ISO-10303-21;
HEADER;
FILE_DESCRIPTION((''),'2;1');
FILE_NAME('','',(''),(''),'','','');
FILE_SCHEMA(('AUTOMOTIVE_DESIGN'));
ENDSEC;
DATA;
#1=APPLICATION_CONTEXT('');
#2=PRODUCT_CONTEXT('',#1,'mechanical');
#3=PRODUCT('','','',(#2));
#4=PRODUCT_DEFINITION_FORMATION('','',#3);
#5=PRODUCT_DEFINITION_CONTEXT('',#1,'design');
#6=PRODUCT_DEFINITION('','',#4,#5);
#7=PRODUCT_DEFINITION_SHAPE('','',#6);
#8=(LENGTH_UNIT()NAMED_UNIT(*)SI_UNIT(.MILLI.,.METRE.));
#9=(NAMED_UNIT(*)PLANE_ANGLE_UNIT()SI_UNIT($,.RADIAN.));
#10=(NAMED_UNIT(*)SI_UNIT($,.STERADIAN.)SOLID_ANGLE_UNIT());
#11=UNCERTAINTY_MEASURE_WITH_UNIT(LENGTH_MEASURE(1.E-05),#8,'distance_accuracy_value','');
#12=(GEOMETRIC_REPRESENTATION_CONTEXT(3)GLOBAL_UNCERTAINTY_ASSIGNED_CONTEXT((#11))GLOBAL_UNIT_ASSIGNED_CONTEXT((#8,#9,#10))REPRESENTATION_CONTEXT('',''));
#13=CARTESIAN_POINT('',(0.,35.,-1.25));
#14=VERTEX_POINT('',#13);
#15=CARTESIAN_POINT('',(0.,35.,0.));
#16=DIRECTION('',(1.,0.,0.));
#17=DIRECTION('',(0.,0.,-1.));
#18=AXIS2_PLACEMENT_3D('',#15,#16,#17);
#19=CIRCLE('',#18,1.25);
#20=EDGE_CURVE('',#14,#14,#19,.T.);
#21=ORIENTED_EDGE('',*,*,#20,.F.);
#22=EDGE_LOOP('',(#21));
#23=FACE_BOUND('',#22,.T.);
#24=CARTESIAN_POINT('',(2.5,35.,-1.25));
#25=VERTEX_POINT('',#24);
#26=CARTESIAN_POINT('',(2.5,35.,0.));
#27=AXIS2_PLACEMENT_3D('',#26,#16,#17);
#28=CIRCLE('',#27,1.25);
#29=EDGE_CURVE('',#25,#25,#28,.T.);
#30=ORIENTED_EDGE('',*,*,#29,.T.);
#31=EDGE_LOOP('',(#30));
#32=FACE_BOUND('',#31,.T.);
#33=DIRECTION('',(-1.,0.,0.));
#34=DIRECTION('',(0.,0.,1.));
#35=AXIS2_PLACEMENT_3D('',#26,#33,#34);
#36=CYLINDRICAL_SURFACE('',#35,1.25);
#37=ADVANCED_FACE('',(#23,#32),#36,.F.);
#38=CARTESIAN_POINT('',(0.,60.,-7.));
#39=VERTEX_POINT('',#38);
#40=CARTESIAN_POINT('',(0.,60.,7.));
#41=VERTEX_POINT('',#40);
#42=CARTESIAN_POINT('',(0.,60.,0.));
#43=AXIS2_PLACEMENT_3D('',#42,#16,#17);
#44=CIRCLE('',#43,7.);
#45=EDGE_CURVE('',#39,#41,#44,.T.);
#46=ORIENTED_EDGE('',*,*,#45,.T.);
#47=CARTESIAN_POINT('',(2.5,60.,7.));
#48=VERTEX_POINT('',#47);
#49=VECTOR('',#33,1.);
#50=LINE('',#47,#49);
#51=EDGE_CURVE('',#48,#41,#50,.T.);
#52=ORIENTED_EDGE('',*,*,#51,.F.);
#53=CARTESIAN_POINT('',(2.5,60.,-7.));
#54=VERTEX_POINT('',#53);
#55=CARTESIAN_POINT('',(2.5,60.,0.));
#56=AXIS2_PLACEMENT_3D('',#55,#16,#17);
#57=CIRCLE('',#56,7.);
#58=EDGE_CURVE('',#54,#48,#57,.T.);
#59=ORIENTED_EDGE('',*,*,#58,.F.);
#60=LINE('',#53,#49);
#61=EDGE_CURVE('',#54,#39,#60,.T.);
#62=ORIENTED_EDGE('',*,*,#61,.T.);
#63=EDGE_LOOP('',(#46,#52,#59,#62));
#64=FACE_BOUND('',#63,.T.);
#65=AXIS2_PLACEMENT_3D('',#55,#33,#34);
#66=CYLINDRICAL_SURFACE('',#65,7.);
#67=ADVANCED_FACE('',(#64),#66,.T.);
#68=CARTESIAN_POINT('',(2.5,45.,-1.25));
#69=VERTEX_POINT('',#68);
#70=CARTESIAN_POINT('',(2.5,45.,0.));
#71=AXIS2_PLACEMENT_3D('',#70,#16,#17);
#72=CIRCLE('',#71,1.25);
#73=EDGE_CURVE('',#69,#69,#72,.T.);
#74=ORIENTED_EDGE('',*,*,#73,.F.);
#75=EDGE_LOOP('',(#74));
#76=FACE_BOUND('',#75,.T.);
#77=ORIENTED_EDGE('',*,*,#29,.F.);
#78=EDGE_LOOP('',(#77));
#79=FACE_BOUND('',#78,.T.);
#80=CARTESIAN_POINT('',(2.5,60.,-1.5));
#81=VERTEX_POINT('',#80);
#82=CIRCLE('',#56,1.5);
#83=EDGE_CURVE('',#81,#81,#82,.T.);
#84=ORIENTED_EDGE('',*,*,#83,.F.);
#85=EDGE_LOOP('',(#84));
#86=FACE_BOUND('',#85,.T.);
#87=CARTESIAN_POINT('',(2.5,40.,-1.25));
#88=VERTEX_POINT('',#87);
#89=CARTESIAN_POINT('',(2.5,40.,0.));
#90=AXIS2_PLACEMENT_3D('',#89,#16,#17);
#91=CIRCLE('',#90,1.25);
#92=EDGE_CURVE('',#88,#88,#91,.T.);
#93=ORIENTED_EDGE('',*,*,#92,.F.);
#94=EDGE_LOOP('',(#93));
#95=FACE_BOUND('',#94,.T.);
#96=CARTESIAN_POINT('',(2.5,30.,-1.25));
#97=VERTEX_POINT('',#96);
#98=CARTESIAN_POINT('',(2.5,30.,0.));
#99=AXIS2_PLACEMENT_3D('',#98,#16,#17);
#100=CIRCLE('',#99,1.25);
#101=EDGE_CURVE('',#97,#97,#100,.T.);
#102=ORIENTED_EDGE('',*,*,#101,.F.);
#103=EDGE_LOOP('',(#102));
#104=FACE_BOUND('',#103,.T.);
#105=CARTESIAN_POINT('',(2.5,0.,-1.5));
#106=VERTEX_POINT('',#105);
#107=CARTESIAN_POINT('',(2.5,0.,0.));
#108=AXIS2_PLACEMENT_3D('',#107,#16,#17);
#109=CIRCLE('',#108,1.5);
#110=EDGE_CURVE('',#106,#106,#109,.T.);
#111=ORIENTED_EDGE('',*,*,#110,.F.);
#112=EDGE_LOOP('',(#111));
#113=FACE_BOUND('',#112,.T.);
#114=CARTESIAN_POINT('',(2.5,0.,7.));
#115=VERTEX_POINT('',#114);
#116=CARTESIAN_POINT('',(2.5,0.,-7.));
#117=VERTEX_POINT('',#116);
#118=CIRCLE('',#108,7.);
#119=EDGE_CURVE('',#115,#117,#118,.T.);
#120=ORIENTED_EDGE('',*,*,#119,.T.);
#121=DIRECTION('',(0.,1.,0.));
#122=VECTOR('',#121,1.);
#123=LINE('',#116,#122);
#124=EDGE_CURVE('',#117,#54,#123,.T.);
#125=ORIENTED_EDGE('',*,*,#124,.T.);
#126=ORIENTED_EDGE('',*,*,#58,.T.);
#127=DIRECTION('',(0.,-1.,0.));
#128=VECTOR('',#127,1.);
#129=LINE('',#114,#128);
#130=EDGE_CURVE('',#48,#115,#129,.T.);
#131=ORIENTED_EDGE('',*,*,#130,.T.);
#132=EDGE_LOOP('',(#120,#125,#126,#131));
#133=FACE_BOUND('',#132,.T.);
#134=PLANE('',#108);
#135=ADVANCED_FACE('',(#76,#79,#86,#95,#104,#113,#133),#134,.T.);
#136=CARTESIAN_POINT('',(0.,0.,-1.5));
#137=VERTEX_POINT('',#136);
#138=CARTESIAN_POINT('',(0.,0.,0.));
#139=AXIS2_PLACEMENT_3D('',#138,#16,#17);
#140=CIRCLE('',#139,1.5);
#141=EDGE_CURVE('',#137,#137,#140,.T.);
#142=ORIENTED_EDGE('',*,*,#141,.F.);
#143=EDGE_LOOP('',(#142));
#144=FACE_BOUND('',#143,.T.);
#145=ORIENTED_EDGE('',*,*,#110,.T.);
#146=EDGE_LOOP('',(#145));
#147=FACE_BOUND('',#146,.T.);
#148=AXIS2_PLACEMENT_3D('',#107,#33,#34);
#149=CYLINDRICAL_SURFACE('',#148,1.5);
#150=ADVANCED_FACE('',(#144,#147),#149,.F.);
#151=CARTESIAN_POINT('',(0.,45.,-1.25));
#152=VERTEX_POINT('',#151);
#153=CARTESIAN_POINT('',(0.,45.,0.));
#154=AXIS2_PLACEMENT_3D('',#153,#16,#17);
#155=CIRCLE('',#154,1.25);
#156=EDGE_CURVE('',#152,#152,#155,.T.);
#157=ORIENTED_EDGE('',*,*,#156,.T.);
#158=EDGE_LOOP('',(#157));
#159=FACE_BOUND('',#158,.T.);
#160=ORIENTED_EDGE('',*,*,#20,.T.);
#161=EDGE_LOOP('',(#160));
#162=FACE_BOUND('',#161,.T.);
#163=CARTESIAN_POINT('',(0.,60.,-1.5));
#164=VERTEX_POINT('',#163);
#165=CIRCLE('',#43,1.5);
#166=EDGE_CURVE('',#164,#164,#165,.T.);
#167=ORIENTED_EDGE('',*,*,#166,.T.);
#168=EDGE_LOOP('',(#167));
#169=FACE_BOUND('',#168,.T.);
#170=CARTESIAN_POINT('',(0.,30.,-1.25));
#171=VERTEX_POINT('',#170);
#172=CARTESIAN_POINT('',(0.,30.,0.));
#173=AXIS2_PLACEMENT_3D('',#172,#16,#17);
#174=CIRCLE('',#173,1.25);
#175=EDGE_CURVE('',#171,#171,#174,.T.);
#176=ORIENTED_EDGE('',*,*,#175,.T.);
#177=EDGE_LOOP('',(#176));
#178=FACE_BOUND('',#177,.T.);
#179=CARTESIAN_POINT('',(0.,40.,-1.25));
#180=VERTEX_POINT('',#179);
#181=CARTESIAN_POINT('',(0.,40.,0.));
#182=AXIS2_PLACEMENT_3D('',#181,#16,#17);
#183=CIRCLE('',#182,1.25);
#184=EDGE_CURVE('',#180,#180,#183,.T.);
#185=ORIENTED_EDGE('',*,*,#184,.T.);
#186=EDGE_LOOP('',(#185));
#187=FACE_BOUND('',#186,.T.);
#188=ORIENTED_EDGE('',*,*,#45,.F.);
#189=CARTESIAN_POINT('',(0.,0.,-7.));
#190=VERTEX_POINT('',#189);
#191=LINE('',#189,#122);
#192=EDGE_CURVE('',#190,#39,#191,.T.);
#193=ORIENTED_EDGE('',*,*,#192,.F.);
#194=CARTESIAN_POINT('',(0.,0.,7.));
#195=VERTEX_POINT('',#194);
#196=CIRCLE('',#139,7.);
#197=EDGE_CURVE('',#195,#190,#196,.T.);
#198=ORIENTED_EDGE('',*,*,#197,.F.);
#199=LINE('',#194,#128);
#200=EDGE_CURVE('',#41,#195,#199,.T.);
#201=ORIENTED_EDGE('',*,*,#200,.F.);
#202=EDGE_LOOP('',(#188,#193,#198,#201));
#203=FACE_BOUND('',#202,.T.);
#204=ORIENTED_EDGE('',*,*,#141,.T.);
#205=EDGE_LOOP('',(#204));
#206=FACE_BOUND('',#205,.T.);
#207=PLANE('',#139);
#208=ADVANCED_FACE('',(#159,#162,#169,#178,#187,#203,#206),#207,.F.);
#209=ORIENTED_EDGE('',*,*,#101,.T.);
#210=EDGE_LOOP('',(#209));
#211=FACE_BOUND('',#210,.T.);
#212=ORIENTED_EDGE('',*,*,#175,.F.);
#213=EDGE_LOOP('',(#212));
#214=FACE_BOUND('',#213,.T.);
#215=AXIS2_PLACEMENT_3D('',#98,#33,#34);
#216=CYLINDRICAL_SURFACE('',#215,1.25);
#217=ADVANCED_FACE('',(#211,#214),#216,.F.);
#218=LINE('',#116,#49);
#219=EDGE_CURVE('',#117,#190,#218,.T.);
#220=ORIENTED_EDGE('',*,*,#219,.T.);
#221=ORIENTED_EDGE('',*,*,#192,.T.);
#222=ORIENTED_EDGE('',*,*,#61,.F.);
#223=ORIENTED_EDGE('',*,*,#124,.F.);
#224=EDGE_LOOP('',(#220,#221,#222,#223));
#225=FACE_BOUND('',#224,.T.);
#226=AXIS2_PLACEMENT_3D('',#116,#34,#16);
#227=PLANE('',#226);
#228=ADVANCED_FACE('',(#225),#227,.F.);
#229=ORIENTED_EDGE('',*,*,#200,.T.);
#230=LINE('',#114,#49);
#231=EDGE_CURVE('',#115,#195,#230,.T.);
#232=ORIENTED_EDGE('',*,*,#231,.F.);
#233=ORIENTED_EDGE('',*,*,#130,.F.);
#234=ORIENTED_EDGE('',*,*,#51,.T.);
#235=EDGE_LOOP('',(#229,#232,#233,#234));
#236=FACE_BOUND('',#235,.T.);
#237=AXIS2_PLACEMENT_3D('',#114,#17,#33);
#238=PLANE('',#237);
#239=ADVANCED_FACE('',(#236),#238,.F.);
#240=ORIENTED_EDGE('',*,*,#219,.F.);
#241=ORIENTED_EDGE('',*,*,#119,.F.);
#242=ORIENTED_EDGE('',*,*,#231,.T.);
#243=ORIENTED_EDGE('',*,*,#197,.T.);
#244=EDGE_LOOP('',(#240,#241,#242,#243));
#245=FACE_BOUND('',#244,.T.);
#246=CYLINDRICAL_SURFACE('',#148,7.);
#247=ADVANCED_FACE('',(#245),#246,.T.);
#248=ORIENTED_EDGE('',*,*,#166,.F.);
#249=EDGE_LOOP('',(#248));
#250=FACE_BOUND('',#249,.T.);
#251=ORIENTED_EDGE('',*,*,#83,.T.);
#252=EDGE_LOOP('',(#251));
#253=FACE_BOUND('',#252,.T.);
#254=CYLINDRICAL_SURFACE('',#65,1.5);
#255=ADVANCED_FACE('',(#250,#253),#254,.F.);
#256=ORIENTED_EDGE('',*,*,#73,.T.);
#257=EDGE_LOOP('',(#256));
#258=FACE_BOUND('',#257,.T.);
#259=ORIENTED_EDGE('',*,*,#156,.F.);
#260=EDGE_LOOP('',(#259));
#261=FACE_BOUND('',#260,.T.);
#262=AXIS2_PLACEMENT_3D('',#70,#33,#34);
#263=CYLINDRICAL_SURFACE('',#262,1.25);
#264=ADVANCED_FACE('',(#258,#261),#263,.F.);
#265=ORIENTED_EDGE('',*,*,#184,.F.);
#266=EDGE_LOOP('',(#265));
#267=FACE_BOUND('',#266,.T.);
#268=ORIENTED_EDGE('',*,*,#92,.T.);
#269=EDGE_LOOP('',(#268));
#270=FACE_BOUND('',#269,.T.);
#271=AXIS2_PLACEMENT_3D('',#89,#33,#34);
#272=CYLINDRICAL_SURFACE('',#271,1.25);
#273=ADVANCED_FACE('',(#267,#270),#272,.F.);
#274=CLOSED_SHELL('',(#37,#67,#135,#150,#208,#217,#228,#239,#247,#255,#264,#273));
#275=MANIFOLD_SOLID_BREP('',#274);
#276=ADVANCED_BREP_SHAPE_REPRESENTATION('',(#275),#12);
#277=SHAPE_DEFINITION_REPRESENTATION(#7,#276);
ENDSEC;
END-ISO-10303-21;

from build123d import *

# Parameters (mm, degrees)
SKETCH1_R           = 1.5
SKETCH1_R_2         = 1.25
BOSS_EXTRUDE1_DEPTH = 2.5


with BuildPart() as part:
    # Sketch1 → Boss-Extrude1 (new body)
    with BuildSketch(Plane(origin=(0, 0, 0), x_dir=(0, 0, -1), z_dir=(1, 0, 0))):
        with BuildLine():
            Line((-7, 0), (-7, 60))
            ThreePointArc((-7, 60), (0, 67), (7, 60))
            Line((7, 60), (7, 0))
            ThreePointArc((7, 0), (0, -7), (-7, 0))
        make_face()
        Circle(SKETCH1_R, mode=Mode.SUBTRACT)
        with Locations((0, 60)):
            Circle(SKETCH1_R, mode=Mode.SUBTRACT)
        with Locations((0, 45)):
            Circle(SKETCH1_R_2, mode=Mode.SUBTRACT)
        with Locations((0, 40)):
            Circle(SKETCH1_R_2, mode=Mode.SUBTRACT)
        with Locations((0, 35)):
            Circle(SKETCH1_R_2, mode=Mode.SUBTRACT)
        with Locations((0, 30)):
            Circle(SKETCH1_R_2, mode=Mode.SUBTRACT)
    extrude(amount=BOSS_EXTRUDE1_DEPTH)


solid = part.part
